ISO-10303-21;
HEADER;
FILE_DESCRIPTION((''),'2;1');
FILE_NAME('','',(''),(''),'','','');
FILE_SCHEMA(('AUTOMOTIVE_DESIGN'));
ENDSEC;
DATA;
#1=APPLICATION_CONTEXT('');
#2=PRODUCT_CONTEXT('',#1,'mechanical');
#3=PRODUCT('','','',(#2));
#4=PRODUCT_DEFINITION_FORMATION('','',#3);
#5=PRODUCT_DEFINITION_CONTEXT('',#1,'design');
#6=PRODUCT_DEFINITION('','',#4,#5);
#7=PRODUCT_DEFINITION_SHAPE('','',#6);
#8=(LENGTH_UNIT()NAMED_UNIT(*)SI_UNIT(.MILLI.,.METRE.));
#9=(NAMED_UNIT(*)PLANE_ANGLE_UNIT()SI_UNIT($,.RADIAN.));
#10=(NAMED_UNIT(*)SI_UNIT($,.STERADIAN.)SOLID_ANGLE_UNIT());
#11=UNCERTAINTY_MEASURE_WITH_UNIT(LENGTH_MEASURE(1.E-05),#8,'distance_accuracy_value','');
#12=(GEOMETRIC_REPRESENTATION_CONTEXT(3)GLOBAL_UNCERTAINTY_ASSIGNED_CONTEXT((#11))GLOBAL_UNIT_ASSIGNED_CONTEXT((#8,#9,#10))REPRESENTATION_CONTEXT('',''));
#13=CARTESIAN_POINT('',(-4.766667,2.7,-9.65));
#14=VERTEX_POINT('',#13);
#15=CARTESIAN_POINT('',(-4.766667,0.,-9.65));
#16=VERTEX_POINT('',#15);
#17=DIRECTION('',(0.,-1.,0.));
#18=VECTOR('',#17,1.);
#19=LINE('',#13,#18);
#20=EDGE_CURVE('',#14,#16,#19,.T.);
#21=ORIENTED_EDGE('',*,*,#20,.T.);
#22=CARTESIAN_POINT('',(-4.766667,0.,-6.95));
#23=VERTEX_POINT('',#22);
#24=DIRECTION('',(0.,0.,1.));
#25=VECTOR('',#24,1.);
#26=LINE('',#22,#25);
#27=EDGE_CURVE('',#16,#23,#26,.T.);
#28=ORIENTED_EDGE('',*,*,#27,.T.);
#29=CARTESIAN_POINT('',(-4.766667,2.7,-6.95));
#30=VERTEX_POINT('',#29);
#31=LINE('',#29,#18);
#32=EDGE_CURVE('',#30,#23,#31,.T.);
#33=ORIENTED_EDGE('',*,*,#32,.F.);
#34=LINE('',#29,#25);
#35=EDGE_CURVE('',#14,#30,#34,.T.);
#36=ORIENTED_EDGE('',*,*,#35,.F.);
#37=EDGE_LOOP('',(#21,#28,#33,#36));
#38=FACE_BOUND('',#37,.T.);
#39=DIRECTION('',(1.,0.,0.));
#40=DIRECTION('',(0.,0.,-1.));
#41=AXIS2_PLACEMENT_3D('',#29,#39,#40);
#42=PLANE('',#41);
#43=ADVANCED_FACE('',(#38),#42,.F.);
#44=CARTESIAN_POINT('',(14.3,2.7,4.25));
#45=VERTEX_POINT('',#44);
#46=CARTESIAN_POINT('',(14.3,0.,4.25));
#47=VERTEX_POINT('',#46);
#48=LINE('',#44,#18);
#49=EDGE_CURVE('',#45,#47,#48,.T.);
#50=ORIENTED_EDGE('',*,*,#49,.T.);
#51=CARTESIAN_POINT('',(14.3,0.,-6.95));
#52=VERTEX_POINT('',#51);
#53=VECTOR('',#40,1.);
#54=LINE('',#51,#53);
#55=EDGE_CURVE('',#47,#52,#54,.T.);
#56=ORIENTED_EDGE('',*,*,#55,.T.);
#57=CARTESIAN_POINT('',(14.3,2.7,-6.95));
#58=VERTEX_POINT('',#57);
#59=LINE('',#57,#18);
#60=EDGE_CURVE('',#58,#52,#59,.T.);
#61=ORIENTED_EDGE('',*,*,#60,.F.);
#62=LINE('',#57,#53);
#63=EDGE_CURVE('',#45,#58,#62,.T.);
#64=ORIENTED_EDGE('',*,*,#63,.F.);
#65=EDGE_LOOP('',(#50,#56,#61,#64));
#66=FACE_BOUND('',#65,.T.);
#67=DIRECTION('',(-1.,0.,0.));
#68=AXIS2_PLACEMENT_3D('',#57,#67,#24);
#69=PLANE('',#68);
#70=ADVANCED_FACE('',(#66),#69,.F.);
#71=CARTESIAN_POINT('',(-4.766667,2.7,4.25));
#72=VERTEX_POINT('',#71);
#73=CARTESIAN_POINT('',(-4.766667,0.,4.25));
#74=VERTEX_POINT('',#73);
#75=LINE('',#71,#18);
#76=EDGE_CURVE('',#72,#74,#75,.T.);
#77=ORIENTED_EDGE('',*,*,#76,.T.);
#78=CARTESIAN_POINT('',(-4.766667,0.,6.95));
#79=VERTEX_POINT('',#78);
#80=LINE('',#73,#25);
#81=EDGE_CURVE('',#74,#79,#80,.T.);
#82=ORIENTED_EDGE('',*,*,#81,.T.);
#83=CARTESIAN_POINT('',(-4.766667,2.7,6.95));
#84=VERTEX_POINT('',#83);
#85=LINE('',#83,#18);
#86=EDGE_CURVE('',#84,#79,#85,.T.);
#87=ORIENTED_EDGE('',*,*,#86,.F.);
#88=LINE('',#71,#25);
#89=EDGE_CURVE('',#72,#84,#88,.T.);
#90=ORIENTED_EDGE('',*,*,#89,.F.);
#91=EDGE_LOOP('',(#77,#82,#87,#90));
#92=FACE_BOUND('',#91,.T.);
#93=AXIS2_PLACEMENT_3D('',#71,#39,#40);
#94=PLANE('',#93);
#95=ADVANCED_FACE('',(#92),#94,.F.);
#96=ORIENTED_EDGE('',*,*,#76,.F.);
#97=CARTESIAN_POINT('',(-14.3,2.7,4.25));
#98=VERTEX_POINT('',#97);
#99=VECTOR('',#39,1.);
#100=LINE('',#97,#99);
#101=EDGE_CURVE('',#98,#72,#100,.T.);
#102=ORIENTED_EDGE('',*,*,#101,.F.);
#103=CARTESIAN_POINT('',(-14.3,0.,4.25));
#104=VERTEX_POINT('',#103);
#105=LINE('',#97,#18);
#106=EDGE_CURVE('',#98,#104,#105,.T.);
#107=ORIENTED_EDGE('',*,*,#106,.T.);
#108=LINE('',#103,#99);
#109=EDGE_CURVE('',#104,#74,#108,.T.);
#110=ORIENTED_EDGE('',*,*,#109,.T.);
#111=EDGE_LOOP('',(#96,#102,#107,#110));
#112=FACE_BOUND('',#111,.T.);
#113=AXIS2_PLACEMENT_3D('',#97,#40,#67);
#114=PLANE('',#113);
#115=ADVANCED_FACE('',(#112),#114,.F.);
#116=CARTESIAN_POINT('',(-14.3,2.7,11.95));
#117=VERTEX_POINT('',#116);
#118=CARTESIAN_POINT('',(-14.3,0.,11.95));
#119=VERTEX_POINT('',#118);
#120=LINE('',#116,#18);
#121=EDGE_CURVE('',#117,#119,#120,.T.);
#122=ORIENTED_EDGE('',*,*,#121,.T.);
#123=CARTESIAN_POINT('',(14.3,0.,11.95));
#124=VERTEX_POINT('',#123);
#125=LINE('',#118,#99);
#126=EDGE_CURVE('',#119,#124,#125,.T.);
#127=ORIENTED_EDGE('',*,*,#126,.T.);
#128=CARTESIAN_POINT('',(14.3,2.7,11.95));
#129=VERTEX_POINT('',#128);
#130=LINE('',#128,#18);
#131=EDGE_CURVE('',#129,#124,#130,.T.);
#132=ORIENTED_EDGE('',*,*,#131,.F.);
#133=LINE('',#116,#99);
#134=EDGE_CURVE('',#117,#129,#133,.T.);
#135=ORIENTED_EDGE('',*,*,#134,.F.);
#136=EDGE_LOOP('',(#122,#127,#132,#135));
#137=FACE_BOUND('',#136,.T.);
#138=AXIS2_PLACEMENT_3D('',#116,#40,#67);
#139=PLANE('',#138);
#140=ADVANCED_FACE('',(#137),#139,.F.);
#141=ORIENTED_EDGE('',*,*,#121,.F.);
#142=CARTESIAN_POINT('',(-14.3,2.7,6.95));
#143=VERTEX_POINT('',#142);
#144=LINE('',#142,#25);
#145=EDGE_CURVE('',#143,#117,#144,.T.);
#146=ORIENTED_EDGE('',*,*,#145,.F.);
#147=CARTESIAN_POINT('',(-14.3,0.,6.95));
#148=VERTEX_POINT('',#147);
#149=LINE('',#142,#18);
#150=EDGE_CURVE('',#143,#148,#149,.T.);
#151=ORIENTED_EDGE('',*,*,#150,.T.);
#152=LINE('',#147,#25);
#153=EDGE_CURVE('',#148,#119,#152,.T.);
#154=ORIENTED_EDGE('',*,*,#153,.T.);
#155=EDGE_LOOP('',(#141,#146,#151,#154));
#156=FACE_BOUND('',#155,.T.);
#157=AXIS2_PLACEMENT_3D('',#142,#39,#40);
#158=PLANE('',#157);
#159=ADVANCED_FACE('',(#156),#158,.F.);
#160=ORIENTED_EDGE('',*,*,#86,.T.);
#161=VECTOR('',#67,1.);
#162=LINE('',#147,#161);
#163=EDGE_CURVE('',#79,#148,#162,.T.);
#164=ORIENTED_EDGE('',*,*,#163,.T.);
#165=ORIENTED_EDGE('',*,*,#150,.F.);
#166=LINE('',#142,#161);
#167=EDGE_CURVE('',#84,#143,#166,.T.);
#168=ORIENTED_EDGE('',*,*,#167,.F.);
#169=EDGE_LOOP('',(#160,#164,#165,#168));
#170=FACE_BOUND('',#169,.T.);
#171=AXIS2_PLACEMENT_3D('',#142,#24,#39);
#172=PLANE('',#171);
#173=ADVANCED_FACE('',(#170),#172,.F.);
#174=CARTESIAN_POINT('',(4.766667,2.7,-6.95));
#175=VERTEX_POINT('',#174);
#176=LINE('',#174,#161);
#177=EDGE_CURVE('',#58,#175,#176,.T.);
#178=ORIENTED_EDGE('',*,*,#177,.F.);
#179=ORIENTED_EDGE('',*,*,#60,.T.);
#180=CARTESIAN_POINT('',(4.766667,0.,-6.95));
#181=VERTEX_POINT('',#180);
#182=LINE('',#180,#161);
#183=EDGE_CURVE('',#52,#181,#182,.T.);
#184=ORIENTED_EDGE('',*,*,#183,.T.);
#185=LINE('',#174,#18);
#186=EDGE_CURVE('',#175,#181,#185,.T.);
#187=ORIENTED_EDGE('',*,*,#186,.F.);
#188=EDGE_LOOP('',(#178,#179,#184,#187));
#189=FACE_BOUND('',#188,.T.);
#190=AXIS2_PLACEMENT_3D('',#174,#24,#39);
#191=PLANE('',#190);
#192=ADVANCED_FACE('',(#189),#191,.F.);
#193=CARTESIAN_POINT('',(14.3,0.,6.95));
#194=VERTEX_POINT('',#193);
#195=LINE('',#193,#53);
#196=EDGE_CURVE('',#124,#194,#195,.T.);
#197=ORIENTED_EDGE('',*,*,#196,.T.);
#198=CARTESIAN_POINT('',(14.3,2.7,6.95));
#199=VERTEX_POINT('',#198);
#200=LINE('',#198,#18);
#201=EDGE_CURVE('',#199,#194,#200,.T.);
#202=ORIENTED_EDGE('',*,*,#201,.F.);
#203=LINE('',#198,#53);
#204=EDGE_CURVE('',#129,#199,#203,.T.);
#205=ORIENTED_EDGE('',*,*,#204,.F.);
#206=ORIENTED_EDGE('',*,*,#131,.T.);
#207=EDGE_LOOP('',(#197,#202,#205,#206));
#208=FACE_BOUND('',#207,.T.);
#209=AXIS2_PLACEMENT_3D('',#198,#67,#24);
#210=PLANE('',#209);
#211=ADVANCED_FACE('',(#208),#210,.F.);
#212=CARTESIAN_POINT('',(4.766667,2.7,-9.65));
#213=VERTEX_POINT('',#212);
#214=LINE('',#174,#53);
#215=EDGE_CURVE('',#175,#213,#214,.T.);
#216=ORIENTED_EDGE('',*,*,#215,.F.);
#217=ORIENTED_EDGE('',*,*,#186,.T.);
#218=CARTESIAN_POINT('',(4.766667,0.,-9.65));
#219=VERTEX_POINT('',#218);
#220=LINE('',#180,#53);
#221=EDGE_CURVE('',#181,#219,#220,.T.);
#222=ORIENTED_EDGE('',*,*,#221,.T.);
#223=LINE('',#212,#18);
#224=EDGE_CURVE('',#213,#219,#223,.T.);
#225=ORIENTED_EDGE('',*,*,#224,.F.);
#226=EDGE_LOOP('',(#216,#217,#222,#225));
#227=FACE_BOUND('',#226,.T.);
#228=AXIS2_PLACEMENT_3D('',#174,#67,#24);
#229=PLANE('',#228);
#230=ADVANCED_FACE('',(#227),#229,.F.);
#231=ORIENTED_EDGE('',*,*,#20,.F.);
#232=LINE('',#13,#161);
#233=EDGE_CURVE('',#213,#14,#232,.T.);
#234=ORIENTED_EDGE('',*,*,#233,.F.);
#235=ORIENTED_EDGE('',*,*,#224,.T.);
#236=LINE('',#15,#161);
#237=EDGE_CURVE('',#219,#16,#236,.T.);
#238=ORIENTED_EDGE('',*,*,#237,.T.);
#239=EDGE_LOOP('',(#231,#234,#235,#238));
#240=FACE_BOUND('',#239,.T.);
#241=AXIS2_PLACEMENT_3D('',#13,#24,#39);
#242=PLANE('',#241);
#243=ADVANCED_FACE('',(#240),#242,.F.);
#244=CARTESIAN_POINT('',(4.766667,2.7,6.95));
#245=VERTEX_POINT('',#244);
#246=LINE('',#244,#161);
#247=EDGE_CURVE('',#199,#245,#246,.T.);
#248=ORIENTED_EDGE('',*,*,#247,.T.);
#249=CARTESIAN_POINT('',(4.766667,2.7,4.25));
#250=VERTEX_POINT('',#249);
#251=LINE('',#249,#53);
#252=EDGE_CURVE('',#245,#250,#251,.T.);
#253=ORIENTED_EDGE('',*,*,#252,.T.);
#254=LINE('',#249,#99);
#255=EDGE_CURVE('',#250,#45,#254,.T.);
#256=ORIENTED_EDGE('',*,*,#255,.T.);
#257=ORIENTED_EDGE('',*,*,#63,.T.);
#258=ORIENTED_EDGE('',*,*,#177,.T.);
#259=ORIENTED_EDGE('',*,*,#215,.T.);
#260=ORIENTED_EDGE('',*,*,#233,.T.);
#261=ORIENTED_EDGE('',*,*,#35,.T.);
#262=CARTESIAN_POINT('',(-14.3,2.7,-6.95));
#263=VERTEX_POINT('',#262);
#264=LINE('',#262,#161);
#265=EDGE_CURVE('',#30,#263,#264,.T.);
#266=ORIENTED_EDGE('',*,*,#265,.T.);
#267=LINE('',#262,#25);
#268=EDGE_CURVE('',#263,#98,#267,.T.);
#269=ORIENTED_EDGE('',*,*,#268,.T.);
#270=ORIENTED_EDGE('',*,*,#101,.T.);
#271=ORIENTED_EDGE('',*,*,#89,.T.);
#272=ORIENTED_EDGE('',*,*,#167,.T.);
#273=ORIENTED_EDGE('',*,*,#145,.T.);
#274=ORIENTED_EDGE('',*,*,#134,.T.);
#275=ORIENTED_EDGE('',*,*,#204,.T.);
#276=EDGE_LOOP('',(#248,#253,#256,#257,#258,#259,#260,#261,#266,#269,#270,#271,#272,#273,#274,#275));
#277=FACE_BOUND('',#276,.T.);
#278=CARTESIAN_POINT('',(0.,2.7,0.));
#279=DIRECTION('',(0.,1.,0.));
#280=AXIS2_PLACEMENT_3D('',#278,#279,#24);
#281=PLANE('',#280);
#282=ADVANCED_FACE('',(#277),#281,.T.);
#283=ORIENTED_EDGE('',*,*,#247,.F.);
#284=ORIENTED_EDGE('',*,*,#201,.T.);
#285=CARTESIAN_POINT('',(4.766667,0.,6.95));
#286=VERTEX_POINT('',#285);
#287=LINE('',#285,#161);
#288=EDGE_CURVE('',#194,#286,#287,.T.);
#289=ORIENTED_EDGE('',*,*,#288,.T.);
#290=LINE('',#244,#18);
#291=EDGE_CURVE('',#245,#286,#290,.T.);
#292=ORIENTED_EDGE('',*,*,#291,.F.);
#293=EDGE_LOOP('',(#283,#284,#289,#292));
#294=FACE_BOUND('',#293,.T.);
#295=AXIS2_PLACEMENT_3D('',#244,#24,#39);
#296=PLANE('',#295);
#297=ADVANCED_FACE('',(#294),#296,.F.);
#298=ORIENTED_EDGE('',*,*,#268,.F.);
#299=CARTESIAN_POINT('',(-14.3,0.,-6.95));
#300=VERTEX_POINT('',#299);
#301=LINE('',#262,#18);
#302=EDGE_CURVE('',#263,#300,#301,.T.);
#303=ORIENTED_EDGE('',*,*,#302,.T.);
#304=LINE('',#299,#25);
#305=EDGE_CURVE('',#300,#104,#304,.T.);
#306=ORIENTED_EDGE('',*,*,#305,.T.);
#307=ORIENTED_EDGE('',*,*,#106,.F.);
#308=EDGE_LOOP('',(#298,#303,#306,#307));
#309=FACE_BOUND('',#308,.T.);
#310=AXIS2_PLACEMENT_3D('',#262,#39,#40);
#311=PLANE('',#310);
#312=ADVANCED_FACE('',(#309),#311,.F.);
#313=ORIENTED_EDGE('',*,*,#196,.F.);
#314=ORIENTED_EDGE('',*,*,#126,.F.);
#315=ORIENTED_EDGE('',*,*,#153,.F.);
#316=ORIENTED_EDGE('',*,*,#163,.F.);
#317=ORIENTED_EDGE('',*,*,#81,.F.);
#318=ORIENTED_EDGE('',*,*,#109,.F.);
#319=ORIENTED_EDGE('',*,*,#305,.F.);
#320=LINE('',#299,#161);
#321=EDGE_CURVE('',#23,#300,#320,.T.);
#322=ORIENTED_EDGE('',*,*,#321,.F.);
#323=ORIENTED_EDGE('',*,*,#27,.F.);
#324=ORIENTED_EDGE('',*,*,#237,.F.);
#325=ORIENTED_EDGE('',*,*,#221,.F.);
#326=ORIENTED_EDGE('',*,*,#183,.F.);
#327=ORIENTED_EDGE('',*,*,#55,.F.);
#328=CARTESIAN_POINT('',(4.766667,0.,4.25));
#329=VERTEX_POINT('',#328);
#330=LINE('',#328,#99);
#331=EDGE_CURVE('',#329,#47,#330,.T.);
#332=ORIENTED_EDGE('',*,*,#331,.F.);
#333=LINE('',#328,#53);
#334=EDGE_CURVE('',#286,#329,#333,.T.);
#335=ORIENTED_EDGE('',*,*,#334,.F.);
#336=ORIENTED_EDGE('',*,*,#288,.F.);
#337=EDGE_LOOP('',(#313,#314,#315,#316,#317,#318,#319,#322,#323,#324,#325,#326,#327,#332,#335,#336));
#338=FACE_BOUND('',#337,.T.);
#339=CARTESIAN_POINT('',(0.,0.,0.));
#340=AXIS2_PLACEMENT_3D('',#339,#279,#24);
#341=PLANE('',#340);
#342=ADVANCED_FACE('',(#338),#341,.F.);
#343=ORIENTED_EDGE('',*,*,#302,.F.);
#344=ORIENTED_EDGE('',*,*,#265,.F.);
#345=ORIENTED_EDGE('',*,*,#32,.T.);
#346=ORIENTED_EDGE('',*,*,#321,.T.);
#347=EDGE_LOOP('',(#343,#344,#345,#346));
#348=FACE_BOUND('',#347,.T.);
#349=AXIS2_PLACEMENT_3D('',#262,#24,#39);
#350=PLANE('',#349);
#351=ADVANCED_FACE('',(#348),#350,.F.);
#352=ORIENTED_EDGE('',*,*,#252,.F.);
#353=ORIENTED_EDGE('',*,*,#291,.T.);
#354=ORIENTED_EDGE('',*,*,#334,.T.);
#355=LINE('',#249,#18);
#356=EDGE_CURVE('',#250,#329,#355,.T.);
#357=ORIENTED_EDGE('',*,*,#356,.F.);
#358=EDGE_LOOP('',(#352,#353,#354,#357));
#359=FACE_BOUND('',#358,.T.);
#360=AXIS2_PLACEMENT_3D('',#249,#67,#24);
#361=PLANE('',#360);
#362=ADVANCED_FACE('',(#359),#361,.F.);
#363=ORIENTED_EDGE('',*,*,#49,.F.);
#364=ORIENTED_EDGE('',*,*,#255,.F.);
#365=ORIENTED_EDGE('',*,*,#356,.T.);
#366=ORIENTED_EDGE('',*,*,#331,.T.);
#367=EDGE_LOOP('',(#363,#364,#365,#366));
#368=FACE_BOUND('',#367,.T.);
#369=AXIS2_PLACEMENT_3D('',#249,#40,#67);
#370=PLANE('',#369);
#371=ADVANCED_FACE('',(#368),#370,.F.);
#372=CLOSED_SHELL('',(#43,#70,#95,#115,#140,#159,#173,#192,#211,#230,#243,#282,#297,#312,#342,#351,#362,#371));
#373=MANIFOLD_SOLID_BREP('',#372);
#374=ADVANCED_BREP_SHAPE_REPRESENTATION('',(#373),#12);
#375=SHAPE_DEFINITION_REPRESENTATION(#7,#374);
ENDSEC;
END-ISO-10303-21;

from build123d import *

# Parameters (mm, degrees)
BOSS_EXTRUDE1_DEPTH = 2.7


with BuildPart() as part:
    # Sketch1 → Boss-Extrude1 (new body)
    with BuildSketch(Plane(origin=(0, 0, 0), x_dir=(1, 0, 0), z_dir=(0, 1, 0))):
        Polygon((-14.3, -6.95), (-4.766666667, -6.95), (-4.766666667, -4.25), (-14.3, -4.25), (-14.3, 6.95), (-4.766666667, 6.95), (-4.766666667, 9.65), (4.766666667, 9.65), (4.766666667, 6.95), (14.3, 6.95), (14.3, -4.25), (4.766666667, -4.25), (4.766666667, -6.95), (14.3, -6.95), (14.3, -11.95), (-14.3, -11.95), align=None)
    extrude(amount=BOSS_EXTRUDE1_DEPTH)


solid = part.part
